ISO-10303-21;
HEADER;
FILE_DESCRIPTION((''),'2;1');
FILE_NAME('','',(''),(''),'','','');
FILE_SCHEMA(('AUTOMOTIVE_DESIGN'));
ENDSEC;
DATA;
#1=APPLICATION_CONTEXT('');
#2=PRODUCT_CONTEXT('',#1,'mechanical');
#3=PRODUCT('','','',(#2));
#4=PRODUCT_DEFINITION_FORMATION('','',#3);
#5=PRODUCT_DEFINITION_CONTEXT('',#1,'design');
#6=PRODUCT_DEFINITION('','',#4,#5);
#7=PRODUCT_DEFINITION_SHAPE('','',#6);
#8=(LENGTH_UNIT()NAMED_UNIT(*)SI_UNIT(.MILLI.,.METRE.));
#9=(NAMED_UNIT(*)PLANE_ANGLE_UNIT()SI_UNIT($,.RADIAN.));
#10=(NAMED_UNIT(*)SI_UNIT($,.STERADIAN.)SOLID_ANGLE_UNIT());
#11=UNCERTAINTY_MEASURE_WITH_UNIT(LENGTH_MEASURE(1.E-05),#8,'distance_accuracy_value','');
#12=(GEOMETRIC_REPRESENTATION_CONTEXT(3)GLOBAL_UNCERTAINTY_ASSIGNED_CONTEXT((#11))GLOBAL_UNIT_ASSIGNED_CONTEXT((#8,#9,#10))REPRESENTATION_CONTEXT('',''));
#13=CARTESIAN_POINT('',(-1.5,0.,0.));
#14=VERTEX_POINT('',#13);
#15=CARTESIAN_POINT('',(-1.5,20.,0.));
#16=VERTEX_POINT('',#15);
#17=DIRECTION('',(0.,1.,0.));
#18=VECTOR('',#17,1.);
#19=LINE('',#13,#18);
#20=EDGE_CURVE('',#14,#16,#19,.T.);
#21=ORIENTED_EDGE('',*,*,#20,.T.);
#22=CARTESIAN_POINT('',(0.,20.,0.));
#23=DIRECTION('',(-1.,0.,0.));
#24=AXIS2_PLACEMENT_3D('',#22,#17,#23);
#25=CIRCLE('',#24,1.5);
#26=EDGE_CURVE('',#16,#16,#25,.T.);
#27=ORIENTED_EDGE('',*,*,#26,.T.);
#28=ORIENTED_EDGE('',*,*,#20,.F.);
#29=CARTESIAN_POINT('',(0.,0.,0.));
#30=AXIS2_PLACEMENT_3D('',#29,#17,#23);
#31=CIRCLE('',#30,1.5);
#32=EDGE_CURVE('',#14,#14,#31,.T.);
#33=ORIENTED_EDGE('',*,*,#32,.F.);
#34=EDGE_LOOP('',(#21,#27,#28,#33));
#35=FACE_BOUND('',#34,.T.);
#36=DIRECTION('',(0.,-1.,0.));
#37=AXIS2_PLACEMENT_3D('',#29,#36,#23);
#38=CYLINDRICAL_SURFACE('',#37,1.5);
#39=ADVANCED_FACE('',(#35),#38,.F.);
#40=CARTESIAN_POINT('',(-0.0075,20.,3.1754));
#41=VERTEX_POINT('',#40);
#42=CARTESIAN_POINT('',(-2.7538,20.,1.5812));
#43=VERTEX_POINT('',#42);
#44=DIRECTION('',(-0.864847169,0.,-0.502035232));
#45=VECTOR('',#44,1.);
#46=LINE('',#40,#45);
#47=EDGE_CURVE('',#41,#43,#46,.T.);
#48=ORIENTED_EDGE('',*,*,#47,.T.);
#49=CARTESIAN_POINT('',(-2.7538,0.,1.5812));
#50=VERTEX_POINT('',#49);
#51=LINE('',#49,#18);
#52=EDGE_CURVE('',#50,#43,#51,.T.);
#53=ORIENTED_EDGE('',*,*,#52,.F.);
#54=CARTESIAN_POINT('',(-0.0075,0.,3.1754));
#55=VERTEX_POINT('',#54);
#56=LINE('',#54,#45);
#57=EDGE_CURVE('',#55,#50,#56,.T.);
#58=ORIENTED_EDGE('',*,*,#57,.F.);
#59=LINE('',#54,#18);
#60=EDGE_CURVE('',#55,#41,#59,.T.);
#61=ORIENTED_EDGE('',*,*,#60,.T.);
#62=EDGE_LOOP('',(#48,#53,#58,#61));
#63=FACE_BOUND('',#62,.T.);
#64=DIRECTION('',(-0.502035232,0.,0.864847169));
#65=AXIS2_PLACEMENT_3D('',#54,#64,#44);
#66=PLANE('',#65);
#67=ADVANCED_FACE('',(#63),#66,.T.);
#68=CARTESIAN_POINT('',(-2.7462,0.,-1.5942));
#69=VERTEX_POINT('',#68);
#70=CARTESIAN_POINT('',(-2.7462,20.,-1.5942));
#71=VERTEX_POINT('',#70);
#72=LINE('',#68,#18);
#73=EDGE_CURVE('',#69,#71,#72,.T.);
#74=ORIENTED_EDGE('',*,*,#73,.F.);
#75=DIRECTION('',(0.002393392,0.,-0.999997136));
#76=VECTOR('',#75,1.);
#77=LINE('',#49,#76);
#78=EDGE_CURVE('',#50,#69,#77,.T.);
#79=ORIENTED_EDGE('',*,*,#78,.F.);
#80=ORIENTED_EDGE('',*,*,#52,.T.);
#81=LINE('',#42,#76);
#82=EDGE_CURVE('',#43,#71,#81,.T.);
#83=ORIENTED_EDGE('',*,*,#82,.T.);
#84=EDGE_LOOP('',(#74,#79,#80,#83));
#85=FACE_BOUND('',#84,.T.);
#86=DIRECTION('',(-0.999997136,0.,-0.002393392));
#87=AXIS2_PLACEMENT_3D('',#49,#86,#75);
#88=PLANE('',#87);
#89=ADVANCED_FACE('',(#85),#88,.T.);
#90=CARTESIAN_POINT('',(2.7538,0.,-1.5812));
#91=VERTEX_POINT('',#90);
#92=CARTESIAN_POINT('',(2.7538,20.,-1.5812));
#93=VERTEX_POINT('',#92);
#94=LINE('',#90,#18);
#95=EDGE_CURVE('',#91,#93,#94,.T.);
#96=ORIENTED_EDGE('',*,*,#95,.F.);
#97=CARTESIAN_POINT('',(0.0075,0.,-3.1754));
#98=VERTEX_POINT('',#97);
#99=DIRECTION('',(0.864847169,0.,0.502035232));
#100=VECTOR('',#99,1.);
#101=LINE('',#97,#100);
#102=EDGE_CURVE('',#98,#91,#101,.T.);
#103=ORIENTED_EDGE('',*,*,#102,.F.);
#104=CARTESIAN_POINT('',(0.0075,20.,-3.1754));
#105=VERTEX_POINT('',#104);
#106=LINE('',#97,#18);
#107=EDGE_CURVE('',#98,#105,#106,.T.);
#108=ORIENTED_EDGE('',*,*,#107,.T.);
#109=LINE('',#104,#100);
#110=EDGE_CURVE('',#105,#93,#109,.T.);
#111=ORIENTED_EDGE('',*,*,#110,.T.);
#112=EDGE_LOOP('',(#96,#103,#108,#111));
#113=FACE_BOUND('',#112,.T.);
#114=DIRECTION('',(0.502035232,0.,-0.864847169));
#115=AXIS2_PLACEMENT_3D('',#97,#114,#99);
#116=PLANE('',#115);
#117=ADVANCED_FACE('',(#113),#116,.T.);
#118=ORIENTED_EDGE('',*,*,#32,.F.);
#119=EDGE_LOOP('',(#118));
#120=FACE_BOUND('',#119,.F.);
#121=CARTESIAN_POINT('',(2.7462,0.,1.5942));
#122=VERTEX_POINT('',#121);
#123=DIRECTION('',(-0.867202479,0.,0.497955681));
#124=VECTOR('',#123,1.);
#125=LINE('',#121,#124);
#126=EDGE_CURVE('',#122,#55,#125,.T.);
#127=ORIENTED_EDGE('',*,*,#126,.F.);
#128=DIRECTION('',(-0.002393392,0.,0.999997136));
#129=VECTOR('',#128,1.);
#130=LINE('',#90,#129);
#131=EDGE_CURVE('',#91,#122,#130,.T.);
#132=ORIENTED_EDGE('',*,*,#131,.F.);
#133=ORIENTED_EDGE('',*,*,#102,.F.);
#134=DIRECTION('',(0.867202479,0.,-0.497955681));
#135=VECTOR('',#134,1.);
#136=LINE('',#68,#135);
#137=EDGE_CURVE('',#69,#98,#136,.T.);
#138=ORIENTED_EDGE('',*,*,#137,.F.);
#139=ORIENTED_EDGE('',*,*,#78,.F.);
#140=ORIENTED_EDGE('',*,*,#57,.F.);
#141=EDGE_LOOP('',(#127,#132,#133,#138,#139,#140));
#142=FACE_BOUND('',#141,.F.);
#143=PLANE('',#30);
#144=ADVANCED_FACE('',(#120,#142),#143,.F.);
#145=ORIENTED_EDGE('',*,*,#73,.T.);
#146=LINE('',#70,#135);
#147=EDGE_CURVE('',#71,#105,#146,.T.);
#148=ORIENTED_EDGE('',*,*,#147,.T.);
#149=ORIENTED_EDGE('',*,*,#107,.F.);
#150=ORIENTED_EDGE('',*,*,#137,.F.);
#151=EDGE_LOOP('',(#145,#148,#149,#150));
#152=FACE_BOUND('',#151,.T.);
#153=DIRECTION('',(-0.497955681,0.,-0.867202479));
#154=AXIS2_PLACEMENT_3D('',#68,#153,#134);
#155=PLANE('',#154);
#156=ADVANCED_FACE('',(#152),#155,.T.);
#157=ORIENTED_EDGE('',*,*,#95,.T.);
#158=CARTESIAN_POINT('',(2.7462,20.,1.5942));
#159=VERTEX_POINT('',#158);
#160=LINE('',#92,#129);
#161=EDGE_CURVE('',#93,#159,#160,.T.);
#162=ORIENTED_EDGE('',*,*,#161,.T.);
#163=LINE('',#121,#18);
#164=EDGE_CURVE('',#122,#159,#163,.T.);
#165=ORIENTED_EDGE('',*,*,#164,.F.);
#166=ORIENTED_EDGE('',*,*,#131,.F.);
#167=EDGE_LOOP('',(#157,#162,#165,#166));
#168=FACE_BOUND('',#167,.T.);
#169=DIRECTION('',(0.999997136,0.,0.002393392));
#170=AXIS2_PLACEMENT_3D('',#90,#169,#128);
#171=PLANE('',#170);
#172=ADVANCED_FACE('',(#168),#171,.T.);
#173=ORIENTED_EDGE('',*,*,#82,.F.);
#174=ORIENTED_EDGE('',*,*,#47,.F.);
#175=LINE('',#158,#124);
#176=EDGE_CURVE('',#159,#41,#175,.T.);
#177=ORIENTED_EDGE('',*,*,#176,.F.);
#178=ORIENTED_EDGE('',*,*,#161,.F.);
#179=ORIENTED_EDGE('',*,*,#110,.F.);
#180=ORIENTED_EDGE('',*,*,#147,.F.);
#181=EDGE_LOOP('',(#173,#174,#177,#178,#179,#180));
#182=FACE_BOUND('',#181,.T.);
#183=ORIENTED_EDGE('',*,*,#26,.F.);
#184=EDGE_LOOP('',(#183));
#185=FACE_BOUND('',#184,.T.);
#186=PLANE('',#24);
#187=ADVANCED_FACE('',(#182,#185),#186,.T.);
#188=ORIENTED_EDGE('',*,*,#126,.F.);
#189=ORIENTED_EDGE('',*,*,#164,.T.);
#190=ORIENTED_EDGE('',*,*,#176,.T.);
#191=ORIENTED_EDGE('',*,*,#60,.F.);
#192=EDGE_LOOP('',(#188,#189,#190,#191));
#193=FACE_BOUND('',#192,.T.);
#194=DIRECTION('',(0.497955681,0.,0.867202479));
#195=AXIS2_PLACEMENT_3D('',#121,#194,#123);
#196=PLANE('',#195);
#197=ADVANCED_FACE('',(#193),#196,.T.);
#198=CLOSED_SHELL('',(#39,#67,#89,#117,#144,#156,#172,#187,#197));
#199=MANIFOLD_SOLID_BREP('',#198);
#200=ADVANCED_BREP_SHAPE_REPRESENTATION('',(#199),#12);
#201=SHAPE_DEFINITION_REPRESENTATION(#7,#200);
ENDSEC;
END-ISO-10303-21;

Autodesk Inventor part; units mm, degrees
ref_plane "YZ Plane" through (0, 0, 0) normal (1, 0, 0) x (0, 1, 0)
ref_plane "XZ Plane" through (0, 0, 0) normal (0, 1, 0) x (-1, 0, 0)
ref_plane "XY Plane" through (0, 0, 0) normal (0, 0, 1) x (1, 0, 0)
sketch "Эскиз1" plane through (0, 0, 0) normal (0, 1, 0) x (-1, 0, 0)
  line L0 (-2.7462, 1.5942) -> (0.0075, 3.1754)
  line L1 (0.0075, 3.1754) -> (2.7538, 1.5812)
  line L2 (2.7538, 1.5812) -> (2.7462, -1.5942)
  line L3 (2.7462, -1.5942) -> (-0.0075, -3.1754)
  line L4 (-0.0075, -3.1754) -> (-2.7538, -1.5812)
  line L5 (-2.7538, -1.5812) -> (-2.7462, 1.5942)
  circle A0 centre (0, 0) radius 1.5
  dimension "d0" = 5.5
  dimension "d1" = 3
extrude "Выдавливание1" add sketch "Эскиз1" along normal blind 20
properties part number "стойка"
